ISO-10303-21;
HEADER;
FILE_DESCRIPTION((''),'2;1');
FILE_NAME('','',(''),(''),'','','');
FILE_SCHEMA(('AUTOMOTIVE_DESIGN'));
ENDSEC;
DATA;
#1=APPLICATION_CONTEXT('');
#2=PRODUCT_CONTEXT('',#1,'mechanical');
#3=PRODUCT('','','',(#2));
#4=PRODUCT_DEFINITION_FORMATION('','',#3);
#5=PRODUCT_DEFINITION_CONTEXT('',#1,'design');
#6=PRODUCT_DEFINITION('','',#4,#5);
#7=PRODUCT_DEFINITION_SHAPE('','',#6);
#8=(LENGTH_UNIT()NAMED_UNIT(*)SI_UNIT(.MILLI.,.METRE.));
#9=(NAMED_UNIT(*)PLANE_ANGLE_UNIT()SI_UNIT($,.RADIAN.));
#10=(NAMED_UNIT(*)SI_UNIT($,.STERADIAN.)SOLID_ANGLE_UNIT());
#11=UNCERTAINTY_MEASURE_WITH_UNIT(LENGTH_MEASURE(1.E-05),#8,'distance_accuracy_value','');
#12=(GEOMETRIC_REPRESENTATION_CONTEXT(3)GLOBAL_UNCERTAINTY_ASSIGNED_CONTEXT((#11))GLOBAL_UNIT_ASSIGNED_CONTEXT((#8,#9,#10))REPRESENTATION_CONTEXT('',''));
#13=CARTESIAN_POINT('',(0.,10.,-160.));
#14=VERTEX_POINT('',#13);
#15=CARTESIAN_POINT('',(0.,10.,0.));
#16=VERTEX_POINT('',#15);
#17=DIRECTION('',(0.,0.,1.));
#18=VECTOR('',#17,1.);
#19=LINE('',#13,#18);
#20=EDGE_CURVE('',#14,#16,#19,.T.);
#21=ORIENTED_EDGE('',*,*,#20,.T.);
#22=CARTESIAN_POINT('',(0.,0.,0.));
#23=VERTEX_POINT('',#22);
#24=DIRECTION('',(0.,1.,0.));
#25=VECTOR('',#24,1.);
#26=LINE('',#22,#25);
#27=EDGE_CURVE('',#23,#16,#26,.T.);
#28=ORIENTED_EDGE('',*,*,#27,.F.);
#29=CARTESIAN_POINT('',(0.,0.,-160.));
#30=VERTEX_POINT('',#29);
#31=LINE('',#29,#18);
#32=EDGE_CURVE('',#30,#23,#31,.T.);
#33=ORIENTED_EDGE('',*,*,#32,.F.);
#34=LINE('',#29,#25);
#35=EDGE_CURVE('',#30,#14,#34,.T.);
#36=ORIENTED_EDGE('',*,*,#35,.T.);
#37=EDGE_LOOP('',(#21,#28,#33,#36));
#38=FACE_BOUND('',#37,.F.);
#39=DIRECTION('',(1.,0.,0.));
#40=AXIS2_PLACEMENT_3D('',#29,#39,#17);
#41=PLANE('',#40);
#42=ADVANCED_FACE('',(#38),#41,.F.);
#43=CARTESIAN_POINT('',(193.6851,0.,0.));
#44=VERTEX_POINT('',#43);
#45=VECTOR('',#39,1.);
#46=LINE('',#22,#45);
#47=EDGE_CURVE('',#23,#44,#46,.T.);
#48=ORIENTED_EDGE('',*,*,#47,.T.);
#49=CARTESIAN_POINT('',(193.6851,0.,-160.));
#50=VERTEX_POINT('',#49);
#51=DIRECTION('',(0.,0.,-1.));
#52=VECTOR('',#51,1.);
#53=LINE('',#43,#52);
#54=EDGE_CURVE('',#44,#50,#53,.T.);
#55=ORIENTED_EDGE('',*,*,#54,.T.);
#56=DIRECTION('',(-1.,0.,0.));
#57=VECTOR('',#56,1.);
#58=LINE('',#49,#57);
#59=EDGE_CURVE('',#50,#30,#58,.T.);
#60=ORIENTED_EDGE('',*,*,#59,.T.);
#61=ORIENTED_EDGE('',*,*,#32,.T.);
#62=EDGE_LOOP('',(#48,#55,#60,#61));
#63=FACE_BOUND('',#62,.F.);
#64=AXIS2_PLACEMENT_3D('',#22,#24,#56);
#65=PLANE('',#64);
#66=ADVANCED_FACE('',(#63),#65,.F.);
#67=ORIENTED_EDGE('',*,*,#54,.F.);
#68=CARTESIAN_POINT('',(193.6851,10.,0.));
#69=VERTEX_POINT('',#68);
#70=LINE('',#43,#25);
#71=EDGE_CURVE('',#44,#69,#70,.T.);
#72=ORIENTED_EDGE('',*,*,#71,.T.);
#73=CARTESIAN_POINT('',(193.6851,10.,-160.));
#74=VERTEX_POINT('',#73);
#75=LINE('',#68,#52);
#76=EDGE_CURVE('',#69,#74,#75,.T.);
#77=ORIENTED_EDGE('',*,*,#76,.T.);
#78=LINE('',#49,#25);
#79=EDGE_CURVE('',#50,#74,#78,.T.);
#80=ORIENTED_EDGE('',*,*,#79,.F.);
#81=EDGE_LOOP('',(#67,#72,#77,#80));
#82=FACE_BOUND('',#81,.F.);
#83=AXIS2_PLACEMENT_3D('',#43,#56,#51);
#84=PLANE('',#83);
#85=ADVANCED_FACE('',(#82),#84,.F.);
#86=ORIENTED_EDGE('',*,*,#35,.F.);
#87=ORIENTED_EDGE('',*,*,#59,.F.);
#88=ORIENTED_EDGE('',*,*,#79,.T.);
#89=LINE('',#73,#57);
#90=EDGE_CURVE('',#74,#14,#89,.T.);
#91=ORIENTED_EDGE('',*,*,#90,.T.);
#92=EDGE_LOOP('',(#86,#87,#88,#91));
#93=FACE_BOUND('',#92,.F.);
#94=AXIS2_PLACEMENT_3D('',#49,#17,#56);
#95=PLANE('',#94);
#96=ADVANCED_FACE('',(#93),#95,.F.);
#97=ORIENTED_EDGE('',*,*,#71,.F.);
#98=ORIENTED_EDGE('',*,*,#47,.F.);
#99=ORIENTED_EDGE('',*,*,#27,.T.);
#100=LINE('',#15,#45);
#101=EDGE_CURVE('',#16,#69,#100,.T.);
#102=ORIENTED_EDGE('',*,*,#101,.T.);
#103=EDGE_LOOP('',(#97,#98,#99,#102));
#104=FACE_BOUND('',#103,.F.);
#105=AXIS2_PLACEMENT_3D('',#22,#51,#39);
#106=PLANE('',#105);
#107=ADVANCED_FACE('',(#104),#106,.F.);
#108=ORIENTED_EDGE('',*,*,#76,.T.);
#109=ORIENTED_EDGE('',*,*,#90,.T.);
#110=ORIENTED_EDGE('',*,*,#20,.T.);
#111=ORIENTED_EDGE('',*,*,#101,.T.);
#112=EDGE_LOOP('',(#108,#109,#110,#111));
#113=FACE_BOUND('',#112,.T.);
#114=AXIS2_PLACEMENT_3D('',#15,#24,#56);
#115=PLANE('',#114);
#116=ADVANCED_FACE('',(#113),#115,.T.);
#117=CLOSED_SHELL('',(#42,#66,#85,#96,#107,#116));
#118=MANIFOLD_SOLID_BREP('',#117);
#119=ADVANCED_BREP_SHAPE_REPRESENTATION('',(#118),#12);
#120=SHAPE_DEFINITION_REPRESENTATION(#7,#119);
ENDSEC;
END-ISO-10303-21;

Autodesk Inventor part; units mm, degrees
ref_plane "YZ Plane" through (0, 0, 0) normal (1, 0, 0) x (0, 1, 0)
ref_plane "XZ Plane" through (0, 0, 0) normal (0, 1, 0) x (-1, 0, 0)
ref_plane "XY Plane" through (0, 0, 0) normal (0, 0, 1) x (1, 0, 0)
sketch "Sketch1" plane through (0, 0, 0) normal (0, 1, 0) x (-1, 0, 0)
  line L0 (0, 0) -> (-193.6851, 0)
  line L1 (-193.6851, 0) -> (-193.6851, -160)
  line L2 (-193.6851, -160) -> (0, -160)
  line L3 (0, -160) -> (0, 0)
  dimension "d0" = 160
extrude "Extrusion1" add sketch "Sketch1" along normal blind 10
properties part number "CajaAux"
